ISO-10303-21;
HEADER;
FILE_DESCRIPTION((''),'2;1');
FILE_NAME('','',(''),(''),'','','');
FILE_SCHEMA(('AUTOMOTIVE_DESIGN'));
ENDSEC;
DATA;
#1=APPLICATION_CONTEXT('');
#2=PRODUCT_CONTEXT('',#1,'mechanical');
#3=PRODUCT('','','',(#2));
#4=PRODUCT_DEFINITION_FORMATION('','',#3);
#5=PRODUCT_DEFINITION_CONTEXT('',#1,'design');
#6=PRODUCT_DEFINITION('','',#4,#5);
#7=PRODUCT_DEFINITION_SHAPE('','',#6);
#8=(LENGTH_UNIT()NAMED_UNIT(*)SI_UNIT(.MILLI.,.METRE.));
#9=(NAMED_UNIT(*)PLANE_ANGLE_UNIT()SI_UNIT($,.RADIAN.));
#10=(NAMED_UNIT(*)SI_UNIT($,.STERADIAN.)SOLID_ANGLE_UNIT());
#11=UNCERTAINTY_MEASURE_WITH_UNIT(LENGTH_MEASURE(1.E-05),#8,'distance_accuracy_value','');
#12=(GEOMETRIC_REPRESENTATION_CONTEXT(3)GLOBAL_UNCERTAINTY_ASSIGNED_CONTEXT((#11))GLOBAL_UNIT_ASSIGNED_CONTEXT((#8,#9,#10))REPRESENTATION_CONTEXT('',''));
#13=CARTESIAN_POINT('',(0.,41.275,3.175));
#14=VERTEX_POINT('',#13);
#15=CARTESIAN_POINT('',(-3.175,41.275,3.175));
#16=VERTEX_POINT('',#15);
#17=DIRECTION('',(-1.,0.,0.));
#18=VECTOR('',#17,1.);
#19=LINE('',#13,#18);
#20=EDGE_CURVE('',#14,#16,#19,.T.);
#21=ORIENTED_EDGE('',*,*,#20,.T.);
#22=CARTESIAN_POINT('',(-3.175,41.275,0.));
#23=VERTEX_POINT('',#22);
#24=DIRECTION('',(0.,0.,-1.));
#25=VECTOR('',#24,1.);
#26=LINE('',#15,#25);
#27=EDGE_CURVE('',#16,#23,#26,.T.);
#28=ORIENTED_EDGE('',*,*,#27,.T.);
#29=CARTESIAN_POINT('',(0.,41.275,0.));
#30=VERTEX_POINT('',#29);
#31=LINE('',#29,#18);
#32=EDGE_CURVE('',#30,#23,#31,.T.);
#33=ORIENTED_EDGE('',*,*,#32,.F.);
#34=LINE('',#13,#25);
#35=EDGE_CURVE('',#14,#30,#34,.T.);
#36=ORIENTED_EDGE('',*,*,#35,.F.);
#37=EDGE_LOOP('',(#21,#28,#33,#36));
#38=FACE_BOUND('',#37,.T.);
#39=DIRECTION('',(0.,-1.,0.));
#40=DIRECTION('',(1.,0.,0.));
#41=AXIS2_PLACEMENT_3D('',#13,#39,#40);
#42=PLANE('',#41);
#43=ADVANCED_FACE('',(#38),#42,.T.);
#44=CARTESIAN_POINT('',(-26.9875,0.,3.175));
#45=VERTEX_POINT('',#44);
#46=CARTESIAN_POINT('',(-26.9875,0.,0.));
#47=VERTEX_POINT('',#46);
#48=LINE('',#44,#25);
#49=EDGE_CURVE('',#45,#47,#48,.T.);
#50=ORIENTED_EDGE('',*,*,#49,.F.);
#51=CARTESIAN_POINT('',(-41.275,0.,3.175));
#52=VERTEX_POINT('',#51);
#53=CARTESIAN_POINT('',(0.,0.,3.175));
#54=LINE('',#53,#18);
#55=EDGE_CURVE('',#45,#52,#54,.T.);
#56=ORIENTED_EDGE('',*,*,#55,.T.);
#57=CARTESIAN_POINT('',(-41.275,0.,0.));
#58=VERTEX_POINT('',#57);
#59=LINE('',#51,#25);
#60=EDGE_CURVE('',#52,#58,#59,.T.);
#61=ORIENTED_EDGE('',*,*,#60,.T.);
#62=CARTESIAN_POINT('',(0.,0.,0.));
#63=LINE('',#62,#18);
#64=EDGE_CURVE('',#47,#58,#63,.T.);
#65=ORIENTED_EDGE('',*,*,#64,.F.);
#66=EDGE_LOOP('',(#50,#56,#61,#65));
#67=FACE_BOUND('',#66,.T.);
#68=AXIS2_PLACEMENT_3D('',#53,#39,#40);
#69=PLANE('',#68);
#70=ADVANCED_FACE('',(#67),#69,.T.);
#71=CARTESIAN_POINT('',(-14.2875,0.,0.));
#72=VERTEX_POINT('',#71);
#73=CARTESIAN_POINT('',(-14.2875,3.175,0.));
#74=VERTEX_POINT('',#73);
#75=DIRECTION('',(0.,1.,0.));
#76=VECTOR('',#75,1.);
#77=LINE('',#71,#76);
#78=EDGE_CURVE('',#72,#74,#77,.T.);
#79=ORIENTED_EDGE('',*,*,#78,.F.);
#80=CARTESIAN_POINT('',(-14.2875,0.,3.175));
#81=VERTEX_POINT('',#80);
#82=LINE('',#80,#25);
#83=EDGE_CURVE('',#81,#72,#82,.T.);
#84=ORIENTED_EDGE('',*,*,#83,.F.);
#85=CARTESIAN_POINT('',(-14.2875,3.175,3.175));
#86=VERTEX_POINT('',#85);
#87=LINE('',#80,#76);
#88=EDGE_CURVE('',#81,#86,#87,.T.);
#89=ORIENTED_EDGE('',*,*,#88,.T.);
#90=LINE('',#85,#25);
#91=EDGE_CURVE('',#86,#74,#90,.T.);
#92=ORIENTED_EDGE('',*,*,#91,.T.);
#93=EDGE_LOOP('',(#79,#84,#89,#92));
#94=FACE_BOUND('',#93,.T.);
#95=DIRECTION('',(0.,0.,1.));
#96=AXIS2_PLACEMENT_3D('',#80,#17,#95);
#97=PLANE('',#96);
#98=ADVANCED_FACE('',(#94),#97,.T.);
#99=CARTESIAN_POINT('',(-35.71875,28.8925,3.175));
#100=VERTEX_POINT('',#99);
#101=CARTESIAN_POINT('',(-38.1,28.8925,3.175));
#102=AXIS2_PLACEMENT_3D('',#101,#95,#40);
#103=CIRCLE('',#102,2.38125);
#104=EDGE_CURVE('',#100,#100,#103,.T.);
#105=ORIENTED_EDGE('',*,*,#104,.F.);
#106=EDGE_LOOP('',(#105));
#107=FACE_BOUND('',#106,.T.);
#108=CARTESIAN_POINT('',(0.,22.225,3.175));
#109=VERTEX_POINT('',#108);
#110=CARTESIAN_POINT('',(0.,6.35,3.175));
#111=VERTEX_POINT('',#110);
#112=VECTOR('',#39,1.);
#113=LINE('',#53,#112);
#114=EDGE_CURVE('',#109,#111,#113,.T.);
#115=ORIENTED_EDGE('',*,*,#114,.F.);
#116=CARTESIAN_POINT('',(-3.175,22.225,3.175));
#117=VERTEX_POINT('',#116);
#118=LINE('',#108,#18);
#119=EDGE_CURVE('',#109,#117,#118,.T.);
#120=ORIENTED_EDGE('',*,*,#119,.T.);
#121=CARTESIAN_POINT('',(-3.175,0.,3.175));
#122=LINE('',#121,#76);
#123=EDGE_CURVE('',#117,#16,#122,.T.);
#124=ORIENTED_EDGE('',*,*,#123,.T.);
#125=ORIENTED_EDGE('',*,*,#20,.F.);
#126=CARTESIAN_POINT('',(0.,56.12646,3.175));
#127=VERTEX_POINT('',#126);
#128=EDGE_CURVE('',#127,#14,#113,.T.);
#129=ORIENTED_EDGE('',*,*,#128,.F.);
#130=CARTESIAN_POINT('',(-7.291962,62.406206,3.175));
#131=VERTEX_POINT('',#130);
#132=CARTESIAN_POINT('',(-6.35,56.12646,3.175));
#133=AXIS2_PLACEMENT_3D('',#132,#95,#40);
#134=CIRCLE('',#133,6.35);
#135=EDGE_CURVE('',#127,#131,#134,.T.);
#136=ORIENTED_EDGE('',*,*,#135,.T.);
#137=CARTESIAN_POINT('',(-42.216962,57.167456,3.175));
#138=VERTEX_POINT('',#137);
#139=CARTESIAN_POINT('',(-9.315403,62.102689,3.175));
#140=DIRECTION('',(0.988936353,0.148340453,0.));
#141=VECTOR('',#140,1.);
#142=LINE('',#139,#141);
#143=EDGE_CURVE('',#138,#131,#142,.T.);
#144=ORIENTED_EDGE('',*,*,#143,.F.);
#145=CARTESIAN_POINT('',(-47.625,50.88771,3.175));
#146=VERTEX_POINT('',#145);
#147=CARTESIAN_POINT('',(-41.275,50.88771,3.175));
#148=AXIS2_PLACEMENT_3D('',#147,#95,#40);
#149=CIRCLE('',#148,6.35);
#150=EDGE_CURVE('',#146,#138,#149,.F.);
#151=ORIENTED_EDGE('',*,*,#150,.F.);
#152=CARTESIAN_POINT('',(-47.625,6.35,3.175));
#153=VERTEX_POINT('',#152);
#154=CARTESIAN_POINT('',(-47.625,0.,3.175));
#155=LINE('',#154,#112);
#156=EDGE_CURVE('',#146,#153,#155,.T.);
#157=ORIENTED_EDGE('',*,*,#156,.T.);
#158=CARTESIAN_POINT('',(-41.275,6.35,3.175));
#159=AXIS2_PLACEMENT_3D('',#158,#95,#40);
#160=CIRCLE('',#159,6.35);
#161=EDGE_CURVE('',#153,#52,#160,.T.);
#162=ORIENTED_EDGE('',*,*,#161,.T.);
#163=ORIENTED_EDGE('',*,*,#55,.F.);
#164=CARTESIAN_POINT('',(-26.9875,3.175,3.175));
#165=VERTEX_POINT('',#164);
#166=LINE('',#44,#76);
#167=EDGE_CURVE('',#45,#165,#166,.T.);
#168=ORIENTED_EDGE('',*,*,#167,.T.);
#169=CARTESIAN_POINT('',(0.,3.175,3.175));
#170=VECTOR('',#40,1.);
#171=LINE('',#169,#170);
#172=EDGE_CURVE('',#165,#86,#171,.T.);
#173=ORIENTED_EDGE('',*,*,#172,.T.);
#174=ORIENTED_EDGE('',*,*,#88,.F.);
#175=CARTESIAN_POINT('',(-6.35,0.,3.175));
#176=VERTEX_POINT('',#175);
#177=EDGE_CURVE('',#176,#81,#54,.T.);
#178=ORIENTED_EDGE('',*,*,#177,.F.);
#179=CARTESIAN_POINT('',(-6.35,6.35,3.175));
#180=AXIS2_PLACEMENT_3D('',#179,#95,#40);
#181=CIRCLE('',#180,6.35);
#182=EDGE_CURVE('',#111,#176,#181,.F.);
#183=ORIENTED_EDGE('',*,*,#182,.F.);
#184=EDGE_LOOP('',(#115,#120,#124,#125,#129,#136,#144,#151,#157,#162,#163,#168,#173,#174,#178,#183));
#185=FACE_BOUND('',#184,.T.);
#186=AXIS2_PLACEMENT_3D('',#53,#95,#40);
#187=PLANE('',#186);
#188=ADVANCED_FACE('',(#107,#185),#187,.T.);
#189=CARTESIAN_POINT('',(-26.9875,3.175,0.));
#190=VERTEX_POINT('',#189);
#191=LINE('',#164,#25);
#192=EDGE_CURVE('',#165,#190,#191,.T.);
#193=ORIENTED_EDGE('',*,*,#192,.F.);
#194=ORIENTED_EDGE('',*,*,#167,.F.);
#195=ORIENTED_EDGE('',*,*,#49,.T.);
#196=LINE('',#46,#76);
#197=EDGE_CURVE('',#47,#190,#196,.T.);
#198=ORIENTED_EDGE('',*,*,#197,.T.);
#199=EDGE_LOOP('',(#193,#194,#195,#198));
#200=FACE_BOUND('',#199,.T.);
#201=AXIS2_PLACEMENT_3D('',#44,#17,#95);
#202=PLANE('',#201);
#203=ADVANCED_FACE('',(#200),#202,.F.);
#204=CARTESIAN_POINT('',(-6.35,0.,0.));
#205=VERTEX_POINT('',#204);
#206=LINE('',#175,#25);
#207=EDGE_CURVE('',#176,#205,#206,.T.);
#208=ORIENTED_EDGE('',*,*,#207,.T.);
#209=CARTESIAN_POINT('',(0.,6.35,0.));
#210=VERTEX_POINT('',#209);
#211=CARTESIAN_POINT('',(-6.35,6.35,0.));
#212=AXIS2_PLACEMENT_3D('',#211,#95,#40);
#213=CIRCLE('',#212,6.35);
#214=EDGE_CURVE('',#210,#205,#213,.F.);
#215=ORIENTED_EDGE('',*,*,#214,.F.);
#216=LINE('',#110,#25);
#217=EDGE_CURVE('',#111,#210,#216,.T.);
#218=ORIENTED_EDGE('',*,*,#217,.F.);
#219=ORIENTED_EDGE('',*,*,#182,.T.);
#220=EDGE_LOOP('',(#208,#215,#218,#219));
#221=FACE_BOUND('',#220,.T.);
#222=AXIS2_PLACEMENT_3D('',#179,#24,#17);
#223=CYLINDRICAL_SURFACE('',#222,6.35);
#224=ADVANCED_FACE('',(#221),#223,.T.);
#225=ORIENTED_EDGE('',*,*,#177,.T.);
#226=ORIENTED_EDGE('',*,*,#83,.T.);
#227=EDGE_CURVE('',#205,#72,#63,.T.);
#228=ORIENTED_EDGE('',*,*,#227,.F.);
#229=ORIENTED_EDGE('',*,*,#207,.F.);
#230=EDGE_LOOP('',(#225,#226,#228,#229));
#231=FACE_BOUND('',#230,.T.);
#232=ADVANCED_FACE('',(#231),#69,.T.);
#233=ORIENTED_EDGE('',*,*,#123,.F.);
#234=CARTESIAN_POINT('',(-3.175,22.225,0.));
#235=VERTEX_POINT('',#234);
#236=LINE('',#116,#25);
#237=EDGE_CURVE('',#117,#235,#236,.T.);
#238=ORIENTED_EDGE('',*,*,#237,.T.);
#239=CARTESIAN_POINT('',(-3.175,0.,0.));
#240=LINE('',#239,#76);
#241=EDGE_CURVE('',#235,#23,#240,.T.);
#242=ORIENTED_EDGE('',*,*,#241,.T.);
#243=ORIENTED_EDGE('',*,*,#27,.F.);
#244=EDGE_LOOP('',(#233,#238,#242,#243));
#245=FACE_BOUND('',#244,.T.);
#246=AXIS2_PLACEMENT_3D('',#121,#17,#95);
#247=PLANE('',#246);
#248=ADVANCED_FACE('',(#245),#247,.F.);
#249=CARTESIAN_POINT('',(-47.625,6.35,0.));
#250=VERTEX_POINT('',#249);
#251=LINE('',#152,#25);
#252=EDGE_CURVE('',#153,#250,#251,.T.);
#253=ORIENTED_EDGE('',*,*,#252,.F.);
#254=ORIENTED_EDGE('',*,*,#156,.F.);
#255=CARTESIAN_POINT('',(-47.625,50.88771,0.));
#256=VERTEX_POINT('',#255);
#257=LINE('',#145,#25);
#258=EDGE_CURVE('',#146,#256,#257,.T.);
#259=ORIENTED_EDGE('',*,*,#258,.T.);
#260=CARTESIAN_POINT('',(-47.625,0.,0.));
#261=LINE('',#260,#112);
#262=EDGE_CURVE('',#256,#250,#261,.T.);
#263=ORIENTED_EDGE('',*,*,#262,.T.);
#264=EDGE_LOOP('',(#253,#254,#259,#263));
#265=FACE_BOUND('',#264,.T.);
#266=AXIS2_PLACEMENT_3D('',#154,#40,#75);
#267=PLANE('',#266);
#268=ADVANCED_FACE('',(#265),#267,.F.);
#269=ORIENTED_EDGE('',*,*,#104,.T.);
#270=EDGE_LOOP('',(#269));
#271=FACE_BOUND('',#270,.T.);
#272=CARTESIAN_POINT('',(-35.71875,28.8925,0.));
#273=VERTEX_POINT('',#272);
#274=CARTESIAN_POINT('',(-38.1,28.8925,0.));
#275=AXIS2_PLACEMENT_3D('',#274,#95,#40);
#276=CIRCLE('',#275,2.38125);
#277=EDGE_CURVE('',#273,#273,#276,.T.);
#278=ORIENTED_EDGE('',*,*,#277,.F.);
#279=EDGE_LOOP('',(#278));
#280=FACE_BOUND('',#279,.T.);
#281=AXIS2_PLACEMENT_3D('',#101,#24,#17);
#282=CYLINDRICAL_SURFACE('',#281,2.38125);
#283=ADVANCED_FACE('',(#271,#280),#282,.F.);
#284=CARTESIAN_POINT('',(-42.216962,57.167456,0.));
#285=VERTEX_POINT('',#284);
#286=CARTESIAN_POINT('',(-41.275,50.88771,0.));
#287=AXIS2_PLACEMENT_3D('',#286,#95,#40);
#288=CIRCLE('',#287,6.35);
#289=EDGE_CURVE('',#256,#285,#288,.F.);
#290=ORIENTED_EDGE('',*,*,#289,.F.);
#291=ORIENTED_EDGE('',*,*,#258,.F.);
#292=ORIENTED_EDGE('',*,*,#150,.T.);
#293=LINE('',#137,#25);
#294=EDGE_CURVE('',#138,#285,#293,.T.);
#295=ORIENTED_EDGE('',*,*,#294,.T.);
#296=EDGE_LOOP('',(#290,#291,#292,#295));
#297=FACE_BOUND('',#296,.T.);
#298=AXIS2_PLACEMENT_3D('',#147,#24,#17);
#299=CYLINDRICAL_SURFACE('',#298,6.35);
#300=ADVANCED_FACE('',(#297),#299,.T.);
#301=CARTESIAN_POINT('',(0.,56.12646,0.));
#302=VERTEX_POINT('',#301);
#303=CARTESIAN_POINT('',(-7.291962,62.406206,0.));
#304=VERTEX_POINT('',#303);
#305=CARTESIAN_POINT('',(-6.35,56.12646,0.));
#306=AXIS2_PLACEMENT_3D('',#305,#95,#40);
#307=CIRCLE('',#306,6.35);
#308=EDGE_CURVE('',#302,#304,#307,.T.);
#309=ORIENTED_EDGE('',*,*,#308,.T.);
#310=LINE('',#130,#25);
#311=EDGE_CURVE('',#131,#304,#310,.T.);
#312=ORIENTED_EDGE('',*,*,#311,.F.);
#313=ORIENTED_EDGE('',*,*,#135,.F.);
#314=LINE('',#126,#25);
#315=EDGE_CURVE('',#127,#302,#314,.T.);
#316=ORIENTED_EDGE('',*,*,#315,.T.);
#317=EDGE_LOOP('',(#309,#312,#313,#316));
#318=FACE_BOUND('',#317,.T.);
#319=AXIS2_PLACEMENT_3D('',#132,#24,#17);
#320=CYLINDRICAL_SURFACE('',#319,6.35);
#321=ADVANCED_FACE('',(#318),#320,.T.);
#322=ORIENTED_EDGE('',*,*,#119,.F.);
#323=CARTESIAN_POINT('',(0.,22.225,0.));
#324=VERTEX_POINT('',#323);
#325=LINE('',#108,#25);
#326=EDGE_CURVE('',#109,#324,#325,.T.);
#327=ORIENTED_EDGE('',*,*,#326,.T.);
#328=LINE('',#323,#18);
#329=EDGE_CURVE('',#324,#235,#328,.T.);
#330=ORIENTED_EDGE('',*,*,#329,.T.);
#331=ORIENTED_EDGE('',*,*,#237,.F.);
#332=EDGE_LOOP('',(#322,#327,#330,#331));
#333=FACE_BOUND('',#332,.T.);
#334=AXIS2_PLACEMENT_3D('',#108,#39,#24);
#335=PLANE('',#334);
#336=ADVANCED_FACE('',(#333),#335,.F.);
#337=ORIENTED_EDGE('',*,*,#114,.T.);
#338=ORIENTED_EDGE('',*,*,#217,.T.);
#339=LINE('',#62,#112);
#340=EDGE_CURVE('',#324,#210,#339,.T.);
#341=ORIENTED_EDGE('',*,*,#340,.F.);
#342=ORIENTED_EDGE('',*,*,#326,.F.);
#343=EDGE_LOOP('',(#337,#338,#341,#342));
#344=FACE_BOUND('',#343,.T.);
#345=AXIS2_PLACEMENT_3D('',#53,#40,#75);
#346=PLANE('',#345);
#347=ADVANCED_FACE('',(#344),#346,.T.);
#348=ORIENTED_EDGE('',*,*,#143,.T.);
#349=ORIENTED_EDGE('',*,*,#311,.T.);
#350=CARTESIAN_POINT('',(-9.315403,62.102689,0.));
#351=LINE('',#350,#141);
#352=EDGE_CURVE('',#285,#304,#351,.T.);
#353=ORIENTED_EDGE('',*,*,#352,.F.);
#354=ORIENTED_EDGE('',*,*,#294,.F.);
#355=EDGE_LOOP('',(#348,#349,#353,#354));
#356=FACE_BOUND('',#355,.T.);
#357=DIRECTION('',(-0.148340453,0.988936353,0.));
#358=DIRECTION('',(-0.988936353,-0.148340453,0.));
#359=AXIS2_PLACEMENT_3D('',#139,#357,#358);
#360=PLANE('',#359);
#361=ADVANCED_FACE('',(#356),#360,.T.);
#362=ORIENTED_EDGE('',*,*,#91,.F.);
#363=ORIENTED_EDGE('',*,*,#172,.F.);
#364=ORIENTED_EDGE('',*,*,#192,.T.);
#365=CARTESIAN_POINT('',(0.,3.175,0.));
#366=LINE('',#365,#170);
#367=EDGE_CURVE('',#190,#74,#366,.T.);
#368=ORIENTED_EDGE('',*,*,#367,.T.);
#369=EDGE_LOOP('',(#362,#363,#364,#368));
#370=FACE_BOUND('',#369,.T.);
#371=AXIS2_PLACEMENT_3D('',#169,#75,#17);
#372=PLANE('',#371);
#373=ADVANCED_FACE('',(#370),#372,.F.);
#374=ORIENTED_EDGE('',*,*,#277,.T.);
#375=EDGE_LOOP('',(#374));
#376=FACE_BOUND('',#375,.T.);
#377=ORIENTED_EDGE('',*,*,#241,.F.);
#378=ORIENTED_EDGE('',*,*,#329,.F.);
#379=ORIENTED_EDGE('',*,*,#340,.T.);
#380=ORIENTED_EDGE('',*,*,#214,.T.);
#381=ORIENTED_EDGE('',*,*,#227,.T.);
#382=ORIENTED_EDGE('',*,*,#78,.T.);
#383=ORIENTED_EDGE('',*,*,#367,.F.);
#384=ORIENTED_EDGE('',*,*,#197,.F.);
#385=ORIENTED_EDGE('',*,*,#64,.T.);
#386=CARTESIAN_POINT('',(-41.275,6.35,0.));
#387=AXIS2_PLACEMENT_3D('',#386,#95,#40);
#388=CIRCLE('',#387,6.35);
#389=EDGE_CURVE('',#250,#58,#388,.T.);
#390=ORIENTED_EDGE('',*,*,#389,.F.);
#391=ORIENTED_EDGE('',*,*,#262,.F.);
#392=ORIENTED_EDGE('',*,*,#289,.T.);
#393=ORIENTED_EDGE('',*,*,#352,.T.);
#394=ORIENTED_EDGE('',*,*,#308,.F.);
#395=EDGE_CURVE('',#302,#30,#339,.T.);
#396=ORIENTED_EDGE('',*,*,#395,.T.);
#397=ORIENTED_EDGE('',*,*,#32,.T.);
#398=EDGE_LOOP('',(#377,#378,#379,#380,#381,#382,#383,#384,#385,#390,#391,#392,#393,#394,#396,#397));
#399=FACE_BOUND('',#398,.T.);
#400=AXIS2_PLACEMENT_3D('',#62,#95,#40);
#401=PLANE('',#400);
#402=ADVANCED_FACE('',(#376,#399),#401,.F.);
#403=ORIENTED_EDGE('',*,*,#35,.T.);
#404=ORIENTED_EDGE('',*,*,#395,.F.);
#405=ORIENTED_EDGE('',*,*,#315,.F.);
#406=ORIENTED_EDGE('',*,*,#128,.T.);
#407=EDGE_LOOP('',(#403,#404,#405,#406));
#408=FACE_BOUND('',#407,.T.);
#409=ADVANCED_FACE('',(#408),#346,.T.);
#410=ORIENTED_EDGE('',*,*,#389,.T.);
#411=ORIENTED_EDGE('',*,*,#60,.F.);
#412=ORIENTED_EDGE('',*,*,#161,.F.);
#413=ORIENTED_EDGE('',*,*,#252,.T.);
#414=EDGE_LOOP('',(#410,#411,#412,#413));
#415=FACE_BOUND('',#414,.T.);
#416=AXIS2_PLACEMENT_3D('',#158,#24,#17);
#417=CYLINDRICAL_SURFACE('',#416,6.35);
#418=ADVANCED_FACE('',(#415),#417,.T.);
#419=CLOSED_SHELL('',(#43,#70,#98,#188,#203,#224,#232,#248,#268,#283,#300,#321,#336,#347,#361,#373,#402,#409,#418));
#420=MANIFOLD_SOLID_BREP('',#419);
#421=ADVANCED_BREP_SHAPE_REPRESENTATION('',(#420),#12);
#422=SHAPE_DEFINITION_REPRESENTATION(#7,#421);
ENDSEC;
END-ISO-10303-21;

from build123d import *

# Parameters (mm, degrees)
BOSS_EXTRUDE1_DEPTH = 3.175


with BuildPart() as part:
    # Sketch1 → Boss-Extrude1 (new body)
    with BuildSketch(Plane.XY):
        with BuildLine():
            Line((-38.1, 31.27375), (-38.1, 57.785))
            Line((-38.1, 57.785), (-42.216961876, 57.167455719))
            ThreePointArc((-42.216961876, 57.167455719), (-46.086650336, 55.031442621), (-47.625, 50.887709878))
            Line((-47.625, 50.887709878), (-47.625, 6.35))
            ThreePointArc((-47.625, 6.35), (-45.765128061, 1.859871939), (-41.275, 0))
            Line((-41.275, 0), (-38.1, 0))
            Line((-38.1, 0), (-38.1, 26.51125))
            ThreePointArc((-38.1, 26.51125), (-40.48125, 28.8925), (-38.1, 31.27375))
        make_face()
        with BuildLine():
            Line((0, 41.275), (0, 56.126459878))
            ThreePointArc((0, 56.126459878), (-2.206267257, 60.938110214), (-7.291961876, 62.406205719))
            Line((-7.291961876, 62.406205719), (-38.1, 57.785))
            Line((-38.1, 57.785), (-38.1, 31.27375))
            ThreePointArc((-38.1, 31.27375), (-36.416201977, 30.576298023), (-35.71875, 28.8925))
            ThreePointArc((-35.71875, 28.8925), (-36.416201977, 27.208701977), (-38.1, 26.51125))
            Line((-38.1, 26.51125), (-38.1, 0))
            Line((-38.1, 0), (-26.9875, 0))
            Line((-26.9875, 0), (-26.9875, 3.175))
            Line((-26.9875, 3.175), (-14.2875, 3.175))
            Line((-14.2875, 3.175), (-14.2875, 0))
            Line((-14.2875, 0), (-6.35, 0))
            ThreePointArc((-6.35, 0), (-1.859871939, 1.859871939), (0, 6.35))
            Line((0, 6.35), (0, 22.225))
            Line((0, 22.225), (-3.175, 22.225))
            Line((-3.175, 22.225), (-3.175, 41.275))
            Line((-3.175, 41.275), (0, 41.275))
        make_face()
    extrude(amount=BOSS_EXTRUDE1_DEPTH)


solid = part.part
